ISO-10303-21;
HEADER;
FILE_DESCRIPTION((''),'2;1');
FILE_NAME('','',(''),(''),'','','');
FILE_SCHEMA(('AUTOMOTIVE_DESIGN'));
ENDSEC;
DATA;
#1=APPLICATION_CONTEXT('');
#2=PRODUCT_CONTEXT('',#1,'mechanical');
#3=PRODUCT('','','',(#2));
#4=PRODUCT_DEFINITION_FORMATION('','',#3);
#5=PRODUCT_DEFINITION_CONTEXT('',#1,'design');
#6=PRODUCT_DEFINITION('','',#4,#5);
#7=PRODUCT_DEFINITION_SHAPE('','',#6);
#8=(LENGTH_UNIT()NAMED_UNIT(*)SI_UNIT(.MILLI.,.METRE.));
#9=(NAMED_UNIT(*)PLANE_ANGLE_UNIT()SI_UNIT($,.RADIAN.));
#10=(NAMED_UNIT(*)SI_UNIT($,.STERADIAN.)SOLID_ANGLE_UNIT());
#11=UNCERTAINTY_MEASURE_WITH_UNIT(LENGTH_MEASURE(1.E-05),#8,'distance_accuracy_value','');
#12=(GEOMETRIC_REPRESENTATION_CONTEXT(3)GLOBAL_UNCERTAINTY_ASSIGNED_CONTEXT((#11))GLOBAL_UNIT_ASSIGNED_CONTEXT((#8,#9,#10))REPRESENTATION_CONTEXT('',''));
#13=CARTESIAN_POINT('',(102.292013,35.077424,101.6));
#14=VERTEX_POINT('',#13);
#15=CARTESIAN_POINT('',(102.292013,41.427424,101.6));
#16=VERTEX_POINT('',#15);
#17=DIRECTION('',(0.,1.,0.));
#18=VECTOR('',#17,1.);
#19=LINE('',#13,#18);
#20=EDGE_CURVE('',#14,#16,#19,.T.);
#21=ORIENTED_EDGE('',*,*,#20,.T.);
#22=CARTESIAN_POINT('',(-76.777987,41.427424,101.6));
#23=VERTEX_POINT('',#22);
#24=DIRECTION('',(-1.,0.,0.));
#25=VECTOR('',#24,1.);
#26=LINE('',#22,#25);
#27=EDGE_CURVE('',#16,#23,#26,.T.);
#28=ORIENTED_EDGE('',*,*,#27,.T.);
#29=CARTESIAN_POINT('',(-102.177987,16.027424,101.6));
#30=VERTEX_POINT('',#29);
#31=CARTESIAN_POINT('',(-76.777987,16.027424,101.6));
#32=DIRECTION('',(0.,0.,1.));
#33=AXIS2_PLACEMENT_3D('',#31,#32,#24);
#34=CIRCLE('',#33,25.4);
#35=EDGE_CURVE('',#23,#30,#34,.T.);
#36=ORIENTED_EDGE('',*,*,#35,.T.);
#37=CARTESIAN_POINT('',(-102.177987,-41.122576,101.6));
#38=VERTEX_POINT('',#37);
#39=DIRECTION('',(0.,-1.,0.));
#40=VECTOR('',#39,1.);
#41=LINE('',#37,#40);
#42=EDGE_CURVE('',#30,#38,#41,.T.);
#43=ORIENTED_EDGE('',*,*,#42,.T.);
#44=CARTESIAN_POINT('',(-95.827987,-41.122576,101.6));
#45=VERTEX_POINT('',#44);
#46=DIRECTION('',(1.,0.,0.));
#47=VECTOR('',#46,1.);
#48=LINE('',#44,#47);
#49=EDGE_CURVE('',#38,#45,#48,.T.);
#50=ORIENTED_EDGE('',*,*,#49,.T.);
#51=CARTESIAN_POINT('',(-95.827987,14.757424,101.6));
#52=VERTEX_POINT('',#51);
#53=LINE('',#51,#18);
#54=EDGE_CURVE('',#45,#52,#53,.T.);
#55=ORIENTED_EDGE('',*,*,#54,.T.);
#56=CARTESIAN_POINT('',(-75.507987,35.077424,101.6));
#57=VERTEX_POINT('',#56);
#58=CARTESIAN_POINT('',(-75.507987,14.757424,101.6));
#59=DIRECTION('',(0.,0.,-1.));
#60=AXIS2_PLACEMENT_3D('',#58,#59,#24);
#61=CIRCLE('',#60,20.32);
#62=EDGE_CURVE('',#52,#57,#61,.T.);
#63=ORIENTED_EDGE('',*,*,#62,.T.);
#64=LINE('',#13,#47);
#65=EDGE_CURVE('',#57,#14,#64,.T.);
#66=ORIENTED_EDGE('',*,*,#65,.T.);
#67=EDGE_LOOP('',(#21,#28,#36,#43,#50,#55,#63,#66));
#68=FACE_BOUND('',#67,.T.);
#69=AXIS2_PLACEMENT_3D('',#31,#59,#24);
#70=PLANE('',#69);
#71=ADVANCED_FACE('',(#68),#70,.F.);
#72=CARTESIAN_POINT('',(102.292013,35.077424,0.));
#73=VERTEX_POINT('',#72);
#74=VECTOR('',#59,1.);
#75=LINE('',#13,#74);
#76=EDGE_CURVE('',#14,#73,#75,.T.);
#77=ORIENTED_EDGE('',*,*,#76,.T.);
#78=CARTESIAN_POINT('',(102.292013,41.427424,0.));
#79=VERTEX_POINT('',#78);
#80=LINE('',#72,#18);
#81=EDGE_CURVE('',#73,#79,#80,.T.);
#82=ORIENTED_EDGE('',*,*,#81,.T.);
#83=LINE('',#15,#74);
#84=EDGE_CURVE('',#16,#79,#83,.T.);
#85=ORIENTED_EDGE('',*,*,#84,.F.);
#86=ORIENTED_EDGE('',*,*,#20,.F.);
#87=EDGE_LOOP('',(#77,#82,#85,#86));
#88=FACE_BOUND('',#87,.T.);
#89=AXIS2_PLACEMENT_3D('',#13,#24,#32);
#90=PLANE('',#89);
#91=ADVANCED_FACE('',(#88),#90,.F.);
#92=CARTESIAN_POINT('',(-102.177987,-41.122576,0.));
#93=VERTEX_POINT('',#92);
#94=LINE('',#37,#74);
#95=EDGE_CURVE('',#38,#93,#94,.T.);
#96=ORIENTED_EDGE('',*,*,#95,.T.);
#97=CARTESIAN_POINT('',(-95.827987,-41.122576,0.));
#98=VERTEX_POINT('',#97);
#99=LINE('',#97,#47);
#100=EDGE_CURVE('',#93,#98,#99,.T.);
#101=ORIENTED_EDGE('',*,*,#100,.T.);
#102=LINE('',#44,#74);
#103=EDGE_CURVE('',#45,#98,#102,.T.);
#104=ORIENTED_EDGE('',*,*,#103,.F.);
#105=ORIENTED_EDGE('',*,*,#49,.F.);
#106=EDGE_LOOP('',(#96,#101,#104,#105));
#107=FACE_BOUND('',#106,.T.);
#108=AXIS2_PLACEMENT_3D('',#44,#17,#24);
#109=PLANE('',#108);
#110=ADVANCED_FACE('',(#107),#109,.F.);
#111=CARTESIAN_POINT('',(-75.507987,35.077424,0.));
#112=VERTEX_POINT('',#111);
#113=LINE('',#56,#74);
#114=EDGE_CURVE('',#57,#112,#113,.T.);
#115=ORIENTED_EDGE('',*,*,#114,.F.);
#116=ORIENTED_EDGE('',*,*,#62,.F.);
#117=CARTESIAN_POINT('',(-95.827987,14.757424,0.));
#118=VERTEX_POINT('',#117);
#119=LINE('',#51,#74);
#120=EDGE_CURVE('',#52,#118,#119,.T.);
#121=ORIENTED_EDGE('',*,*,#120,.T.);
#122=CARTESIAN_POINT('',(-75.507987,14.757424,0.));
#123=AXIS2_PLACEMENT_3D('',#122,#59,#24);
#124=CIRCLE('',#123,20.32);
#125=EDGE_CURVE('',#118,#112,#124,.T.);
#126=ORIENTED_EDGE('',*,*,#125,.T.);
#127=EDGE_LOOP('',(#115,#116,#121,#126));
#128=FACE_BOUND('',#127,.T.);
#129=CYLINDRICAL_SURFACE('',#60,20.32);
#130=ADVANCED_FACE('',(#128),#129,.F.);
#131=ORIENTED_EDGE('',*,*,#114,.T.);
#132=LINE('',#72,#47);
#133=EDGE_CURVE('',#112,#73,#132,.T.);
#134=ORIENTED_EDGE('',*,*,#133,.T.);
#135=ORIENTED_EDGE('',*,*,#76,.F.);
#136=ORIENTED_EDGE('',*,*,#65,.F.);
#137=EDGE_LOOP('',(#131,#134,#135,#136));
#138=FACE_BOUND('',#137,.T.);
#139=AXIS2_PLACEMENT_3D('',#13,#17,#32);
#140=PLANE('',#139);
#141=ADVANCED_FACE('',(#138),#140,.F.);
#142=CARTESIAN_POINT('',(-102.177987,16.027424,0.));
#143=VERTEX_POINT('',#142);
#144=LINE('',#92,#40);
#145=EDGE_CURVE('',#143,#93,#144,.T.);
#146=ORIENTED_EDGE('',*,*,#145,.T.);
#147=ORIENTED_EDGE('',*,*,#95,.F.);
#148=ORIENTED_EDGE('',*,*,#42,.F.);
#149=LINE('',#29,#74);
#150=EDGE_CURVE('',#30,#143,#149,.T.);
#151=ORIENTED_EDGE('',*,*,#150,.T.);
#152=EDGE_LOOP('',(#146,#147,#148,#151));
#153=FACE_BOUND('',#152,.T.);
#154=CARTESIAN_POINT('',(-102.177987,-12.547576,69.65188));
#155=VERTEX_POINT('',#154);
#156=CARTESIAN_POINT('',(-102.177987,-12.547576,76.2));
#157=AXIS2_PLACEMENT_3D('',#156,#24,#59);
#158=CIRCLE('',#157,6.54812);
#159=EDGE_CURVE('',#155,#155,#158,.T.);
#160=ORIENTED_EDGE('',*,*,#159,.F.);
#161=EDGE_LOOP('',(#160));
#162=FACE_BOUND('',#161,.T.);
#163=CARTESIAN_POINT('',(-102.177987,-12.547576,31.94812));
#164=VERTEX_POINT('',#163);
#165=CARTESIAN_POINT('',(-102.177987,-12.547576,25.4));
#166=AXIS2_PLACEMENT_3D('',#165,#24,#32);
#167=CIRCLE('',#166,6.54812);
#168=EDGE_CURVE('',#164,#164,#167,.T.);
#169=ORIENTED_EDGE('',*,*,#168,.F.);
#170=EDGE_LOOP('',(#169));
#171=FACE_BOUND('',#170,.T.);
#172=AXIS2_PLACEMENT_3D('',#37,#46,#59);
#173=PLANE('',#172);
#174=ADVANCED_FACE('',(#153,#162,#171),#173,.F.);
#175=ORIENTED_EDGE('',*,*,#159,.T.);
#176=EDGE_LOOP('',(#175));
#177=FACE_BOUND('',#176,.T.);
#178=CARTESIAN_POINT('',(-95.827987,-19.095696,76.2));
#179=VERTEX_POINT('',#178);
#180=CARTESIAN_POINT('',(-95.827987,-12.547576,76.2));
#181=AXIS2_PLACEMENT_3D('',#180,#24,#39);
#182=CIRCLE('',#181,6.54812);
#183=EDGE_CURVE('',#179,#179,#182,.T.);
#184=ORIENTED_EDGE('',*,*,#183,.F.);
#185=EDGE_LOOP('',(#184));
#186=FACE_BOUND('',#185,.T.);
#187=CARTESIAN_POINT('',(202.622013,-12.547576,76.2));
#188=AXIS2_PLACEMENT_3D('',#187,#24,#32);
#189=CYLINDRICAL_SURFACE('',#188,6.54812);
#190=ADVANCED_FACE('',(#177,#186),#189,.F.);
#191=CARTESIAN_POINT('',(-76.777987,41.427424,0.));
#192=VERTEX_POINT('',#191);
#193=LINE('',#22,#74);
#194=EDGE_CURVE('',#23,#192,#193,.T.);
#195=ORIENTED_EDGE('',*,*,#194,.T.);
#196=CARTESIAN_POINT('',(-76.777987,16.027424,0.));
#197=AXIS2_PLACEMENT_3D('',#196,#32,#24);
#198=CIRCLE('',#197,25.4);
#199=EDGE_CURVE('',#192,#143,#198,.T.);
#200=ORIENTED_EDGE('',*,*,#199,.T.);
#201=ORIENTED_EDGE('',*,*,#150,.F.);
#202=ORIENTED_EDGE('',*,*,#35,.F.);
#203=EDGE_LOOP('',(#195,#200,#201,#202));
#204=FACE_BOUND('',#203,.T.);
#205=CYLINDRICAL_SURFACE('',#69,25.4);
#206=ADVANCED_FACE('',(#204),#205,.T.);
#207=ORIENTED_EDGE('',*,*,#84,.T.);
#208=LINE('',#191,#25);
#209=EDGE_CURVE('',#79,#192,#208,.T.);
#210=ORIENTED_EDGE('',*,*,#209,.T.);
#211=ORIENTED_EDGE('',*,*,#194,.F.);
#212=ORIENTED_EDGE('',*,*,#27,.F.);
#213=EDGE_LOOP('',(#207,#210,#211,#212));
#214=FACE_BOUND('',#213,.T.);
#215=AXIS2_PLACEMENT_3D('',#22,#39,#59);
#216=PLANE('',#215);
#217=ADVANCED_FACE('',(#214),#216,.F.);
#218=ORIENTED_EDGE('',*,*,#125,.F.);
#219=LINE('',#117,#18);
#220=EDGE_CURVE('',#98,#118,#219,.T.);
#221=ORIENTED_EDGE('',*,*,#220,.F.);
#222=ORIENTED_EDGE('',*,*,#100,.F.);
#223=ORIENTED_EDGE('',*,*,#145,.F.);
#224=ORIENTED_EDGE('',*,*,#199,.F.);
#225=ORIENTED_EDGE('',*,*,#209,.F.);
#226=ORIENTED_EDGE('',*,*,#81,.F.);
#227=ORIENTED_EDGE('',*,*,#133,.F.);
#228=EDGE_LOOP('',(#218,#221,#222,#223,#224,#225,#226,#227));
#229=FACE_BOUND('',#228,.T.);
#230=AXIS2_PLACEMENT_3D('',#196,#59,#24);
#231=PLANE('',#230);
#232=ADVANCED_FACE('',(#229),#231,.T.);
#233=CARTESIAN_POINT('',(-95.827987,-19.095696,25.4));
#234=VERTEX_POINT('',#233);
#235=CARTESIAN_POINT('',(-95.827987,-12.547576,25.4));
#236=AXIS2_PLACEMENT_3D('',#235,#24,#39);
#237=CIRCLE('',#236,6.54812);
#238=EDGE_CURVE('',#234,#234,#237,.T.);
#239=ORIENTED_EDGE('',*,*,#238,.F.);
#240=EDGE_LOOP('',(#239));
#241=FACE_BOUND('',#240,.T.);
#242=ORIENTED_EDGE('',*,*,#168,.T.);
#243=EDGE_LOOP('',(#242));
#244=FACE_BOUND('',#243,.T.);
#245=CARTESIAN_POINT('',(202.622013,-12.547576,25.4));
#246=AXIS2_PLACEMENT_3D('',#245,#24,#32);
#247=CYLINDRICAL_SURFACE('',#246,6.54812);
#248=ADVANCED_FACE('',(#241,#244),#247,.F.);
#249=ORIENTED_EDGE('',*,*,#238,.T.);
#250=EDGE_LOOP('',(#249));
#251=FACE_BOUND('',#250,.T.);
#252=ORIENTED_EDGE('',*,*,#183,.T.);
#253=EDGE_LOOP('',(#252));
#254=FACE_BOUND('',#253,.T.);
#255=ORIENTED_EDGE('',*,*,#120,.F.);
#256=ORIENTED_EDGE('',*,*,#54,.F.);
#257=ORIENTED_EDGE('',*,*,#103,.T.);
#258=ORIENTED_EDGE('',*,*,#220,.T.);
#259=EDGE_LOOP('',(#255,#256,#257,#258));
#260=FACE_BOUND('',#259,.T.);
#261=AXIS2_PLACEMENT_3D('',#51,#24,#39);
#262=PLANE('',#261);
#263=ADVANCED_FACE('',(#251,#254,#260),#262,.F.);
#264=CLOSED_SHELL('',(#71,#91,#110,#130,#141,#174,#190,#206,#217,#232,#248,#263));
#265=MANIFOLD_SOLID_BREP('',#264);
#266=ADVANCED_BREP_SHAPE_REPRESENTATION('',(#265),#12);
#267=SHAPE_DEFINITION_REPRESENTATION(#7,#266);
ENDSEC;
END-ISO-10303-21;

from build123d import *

# Parameters (mm, degrees)
BOSS_EXTRUDE1_DEPTH = 101.6
SKETCH2_R           = 6.54812
CUT_EXTRUDE1_DEPTH  = 304.8


with BuildPart() as part:
    # Sketch1 → Boss-Extrude1 (new body)
    with BuildSketch(Plane.XY):
        with BuildLine():
            Line((-76.777987096, 41.427423626), (102.292012904, 41.427423626))
            Line((102.292012904, 41.427423626), (102.292012904, 35.077423626))
            Line((102.292012904, 35.077423626), (-75.507987096, 35.077423626))
            ThreePointArc((-75.507987096, 35.077423626), (-89.87639689, 29.12583342), (-95.827987096, 14.757423626))
            Line((-95.827987096, 14.757423626), (-95.827987096, -41.122576374))
            Line((-95.827987096, -41.122576374), (-102.177987096, -41.122576374))
            Line((-102.177987096, -41.122576374), (-102.177987096, 16.027423626))
            ThreePointArc((-102.177987096, 16.027423626), (-94.738499338, 33.987935868), (-76.777987096, 41.427423626))
        make_face()
    extrude(amount=BOSS_EXTRUDE1_DEPTH)

    # Sketch2 → Cut-Extrude1 (cut)
    with BuildSketch(Plane.ZY.offset(102.177987096)):
        with Locations((25.4, -12.547576374)):
            Circle(SKETCH2_R)
        with Locations((76.2, -12.547576374)):
            Circle(SKETCH2_R)
    extrude(amount=-CUT_EXTRUDE1_DEPTH, mode=Mode.SUBTRACT)


solid = part.part
